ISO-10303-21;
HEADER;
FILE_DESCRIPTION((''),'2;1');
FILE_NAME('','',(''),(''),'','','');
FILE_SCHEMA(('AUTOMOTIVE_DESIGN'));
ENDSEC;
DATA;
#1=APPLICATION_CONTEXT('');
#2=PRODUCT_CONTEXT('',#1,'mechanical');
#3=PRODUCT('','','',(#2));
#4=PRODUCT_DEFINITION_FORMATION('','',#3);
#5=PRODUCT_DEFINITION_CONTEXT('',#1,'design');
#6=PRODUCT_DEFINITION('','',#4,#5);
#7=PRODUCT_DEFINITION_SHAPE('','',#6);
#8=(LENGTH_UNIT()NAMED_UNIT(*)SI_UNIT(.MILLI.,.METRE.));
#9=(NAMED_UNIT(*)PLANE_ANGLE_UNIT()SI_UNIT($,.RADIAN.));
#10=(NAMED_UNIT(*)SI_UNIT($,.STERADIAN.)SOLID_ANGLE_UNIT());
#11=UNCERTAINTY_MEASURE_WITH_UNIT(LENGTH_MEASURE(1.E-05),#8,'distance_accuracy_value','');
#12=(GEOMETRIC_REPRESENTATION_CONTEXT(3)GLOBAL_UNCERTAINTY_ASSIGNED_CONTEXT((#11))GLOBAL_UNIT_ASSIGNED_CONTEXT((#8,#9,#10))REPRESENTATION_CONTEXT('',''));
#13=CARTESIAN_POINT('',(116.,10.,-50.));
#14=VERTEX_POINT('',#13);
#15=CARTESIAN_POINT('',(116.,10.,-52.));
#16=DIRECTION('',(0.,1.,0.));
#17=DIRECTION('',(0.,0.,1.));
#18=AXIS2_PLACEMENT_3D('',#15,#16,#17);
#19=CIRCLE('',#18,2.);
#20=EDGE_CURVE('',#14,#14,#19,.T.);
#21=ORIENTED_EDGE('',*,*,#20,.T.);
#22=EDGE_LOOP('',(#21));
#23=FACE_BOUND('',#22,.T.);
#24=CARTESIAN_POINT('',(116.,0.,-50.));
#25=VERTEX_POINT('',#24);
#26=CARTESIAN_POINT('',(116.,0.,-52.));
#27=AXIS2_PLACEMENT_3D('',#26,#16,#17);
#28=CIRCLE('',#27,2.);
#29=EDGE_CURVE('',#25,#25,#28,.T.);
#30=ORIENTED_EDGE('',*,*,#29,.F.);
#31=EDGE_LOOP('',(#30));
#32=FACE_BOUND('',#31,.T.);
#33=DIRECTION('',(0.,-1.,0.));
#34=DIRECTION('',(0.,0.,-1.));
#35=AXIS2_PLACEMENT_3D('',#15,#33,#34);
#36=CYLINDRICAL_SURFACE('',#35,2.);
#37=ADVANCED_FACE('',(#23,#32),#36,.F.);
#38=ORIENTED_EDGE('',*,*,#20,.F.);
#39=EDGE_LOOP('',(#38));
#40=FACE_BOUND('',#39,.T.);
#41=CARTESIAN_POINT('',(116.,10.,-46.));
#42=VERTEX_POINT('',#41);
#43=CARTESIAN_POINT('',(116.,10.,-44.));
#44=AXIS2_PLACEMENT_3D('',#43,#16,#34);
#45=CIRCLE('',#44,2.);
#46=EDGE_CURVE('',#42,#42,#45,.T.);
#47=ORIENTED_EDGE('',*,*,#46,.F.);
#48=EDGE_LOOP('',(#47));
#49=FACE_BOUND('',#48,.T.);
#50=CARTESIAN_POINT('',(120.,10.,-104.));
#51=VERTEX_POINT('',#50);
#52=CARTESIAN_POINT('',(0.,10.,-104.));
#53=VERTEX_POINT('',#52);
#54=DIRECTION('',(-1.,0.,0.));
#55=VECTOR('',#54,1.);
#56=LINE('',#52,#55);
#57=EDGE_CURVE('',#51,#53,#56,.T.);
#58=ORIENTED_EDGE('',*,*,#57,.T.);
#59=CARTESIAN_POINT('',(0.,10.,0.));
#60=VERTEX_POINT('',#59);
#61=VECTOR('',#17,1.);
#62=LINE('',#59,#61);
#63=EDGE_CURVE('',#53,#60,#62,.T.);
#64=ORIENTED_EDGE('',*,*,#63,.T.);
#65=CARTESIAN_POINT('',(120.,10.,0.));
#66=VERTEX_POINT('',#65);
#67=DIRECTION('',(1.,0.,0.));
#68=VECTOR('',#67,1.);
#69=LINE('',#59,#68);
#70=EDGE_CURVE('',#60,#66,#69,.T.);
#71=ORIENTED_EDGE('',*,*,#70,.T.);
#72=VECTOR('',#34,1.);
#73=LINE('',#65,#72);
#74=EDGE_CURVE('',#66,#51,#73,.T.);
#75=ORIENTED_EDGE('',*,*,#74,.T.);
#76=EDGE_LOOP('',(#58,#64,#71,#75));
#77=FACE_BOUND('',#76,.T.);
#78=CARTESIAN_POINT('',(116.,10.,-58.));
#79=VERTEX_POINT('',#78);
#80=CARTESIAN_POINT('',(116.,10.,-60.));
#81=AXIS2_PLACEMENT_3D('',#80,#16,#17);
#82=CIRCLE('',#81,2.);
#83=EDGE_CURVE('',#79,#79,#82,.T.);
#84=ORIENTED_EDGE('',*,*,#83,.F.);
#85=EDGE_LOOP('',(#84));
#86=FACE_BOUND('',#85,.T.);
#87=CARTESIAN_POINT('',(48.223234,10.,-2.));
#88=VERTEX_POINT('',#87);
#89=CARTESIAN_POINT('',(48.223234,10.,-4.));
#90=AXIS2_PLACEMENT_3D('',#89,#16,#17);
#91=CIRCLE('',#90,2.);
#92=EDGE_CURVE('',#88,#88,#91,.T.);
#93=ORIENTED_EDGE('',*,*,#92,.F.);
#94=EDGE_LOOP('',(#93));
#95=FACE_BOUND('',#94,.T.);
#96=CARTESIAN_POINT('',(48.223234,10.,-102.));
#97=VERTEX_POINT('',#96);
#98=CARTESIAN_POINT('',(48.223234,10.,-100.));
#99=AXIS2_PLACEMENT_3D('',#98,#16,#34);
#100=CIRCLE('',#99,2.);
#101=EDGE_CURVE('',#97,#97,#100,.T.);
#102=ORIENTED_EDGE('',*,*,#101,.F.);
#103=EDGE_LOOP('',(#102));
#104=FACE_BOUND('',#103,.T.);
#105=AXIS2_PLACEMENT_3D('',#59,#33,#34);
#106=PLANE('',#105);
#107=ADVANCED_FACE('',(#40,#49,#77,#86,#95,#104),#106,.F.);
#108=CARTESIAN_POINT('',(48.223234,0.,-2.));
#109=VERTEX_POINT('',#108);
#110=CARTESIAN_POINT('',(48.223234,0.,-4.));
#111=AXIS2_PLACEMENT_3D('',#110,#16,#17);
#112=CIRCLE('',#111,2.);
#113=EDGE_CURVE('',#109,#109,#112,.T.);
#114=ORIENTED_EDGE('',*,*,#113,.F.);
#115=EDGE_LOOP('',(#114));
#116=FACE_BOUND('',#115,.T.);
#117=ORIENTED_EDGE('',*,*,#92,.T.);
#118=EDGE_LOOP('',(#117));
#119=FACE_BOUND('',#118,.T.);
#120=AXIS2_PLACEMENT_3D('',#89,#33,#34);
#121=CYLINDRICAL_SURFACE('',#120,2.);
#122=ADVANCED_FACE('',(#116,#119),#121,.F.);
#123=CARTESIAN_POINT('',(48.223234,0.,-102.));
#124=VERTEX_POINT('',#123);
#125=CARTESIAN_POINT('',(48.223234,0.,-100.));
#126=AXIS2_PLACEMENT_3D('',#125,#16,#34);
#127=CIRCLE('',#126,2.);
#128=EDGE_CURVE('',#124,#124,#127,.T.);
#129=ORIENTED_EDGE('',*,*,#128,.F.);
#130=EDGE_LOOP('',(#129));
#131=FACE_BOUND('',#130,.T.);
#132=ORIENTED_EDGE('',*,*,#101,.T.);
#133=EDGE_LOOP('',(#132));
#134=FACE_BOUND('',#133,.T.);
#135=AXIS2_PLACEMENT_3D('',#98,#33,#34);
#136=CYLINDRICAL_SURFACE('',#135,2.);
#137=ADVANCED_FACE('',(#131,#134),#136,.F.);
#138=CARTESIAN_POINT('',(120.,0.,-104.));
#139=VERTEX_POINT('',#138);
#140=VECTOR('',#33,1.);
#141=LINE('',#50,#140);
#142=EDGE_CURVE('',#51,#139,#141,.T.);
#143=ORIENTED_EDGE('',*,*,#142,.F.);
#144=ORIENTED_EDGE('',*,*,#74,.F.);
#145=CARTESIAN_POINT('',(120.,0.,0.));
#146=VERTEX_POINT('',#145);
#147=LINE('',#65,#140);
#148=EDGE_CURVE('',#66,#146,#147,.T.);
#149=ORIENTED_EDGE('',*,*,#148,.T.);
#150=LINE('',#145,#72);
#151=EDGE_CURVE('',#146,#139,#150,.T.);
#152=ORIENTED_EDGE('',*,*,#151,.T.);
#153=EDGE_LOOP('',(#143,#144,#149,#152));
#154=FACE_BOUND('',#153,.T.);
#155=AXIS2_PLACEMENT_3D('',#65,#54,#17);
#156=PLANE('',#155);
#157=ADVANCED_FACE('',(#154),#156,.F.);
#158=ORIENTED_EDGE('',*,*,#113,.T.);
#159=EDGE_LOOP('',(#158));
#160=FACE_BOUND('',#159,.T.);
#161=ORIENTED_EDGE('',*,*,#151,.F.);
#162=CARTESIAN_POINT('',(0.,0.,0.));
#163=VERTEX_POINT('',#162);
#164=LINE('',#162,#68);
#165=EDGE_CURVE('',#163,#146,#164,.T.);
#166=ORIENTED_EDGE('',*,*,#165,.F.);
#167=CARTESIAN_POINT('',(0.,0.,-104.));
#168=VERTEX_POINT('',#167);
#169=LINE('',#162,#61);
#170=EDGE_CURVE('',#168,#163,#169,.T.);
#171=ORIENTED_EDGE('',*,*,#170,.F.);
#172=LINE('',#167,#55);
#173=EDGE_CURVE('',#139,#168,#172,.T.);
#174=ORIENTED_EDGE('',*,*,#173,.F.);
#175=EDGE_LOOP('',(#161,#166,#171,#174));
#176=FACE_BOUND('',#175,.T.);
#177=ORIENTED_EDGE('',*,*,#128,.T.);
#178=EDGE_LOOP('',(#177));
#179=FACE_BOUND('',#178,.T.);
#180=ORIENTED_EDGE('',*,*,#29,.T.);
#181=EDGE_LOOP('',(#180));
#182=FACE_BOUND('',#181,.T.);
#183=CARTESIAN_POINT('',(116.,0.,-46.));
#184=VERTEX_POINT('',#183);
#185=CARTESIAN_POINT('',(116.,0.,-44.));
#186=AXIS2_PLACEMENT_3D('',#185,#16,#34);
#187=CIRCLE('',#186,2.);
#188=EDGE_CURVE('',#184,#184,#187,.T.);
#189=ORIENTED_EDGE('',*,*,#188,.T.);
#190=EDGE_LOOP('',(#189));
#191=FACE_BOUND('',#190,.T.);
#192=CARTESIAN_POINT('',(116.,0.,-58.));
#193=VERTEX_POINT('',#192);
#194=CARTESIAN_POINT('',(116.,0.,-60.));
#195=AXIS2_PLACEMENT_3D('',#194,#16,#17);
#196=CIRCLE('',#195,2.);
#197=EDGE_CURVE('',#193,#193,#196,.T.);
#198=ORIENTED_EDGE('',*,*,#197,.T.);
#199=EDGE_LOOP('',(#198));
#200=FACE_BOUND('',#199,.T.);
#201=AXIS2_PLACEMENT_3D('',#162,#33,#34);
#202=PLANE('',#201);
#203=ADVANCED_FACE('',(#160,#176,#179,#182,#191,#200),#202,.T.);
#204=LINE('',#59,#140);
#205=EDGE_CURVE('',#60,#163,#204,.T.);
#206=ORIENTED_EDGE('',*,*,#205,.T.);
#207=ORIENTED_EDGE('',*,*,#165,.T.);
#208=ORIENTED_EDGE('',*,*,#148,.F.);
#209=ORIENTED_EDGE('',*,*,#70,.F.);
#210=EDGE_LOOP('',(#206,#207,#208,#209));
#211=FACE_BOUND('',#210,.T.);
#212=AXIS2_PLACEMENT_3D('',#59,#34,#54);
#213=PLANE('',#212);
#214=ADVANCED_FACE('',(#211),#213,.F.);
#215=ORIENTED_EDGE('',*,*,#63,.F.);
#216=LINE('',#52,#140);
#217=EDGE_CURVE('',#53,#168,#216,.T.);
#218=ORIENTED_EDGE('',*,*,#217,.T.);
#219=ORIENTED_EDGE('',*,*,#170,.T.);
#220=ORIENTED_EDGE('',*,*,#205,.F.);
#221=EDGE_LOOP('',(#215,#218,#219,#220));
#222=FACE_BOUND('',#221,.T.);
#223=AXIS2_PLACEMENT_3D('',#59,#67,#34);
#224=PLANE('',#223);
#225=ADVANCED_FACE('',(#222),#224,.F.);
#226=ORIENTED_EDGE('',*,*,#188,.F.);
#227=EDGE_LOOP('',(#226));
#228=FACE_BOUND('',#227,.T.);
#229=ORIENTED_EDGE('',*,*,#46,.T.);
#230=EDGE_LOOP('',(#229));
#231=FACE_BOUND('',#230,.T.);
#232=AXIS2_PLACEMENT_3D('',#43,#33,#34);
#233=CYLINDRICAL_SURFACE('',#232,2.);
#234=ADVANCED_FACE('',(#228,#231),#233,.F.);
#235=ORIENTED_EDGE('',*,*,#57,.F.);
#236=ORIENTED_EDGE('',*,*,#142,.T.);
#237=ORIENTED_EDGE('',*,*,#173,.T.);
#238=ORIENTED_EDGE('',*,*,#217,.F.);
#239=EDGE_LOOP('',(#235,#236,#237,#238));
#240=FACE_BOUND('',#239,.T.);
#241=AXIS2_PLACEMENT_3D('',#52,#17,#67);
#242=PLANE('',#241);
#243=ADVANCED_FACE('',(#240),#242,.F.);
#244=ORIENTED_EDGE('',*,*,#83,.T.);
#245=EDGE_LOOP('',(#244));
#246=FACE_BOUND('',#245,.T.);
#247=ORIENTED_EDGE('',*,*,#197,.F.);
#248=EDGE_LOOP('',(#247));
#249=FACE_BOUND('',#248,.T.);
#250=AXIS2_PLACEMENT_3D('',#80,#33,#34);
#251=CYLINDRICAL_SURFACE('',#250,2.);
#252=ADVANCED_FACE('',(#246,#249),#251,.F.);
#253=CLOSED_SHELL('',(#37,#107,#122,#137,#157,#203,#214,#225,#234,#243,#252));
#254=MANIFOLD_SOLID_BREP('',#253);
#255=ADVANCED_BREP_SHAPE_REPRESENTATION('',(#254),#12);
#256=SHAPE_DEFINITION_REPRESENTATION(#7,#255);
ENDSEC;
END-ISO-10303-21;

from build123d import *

# Parameters (mm, degrees)
SKETCH1_W           = 120
SKETCH1_H           = 104
SKETCH1_R           = 2
BOSS_EXTRUDE2_DEPTH = 10


with BuildPart() as part:
    # Sketch1 → Boss-Extrude2 (new body)
    with BuildSketch(Plane(origin=(0, 0, 0), x_dir=(1, 0, 0), z_dir=(0, 1, 0))):
        with Locations((60, 52)):
            Rectangle(SKETCH1_W, SKETCH1_H)
        with Locations(Location((116, 52, 0), (0, 0, 270))):
            Circle(SKETCH1_R, mode=Mode.SUBTRACT)
        with Locations(Location((116, 60, 0), (0, 0, 270))):
            Circle(SKETCH1_R, mode=Mode.SUBTRACT)
        with Locations(Location((116, 44, 0), (0, 0, 90))):
            Circle(SKETCH1_R, mode=Mode.SUBTRACT)
        with Locations(Location((48.223234069, 4, 0), (0, 0, 270))):
            Circle(SKETCH1_R, mode=Mode.SUBTRACT)
        with Locations(Location((48.223234069, 100, 0), (0, 0, 90))):
            Circle(SKETCH1_R, mode=Mode.SUBTRACT)
    extrude(amount=BOSS_EXTRUDE2_DEPTH)


solid = part.part
